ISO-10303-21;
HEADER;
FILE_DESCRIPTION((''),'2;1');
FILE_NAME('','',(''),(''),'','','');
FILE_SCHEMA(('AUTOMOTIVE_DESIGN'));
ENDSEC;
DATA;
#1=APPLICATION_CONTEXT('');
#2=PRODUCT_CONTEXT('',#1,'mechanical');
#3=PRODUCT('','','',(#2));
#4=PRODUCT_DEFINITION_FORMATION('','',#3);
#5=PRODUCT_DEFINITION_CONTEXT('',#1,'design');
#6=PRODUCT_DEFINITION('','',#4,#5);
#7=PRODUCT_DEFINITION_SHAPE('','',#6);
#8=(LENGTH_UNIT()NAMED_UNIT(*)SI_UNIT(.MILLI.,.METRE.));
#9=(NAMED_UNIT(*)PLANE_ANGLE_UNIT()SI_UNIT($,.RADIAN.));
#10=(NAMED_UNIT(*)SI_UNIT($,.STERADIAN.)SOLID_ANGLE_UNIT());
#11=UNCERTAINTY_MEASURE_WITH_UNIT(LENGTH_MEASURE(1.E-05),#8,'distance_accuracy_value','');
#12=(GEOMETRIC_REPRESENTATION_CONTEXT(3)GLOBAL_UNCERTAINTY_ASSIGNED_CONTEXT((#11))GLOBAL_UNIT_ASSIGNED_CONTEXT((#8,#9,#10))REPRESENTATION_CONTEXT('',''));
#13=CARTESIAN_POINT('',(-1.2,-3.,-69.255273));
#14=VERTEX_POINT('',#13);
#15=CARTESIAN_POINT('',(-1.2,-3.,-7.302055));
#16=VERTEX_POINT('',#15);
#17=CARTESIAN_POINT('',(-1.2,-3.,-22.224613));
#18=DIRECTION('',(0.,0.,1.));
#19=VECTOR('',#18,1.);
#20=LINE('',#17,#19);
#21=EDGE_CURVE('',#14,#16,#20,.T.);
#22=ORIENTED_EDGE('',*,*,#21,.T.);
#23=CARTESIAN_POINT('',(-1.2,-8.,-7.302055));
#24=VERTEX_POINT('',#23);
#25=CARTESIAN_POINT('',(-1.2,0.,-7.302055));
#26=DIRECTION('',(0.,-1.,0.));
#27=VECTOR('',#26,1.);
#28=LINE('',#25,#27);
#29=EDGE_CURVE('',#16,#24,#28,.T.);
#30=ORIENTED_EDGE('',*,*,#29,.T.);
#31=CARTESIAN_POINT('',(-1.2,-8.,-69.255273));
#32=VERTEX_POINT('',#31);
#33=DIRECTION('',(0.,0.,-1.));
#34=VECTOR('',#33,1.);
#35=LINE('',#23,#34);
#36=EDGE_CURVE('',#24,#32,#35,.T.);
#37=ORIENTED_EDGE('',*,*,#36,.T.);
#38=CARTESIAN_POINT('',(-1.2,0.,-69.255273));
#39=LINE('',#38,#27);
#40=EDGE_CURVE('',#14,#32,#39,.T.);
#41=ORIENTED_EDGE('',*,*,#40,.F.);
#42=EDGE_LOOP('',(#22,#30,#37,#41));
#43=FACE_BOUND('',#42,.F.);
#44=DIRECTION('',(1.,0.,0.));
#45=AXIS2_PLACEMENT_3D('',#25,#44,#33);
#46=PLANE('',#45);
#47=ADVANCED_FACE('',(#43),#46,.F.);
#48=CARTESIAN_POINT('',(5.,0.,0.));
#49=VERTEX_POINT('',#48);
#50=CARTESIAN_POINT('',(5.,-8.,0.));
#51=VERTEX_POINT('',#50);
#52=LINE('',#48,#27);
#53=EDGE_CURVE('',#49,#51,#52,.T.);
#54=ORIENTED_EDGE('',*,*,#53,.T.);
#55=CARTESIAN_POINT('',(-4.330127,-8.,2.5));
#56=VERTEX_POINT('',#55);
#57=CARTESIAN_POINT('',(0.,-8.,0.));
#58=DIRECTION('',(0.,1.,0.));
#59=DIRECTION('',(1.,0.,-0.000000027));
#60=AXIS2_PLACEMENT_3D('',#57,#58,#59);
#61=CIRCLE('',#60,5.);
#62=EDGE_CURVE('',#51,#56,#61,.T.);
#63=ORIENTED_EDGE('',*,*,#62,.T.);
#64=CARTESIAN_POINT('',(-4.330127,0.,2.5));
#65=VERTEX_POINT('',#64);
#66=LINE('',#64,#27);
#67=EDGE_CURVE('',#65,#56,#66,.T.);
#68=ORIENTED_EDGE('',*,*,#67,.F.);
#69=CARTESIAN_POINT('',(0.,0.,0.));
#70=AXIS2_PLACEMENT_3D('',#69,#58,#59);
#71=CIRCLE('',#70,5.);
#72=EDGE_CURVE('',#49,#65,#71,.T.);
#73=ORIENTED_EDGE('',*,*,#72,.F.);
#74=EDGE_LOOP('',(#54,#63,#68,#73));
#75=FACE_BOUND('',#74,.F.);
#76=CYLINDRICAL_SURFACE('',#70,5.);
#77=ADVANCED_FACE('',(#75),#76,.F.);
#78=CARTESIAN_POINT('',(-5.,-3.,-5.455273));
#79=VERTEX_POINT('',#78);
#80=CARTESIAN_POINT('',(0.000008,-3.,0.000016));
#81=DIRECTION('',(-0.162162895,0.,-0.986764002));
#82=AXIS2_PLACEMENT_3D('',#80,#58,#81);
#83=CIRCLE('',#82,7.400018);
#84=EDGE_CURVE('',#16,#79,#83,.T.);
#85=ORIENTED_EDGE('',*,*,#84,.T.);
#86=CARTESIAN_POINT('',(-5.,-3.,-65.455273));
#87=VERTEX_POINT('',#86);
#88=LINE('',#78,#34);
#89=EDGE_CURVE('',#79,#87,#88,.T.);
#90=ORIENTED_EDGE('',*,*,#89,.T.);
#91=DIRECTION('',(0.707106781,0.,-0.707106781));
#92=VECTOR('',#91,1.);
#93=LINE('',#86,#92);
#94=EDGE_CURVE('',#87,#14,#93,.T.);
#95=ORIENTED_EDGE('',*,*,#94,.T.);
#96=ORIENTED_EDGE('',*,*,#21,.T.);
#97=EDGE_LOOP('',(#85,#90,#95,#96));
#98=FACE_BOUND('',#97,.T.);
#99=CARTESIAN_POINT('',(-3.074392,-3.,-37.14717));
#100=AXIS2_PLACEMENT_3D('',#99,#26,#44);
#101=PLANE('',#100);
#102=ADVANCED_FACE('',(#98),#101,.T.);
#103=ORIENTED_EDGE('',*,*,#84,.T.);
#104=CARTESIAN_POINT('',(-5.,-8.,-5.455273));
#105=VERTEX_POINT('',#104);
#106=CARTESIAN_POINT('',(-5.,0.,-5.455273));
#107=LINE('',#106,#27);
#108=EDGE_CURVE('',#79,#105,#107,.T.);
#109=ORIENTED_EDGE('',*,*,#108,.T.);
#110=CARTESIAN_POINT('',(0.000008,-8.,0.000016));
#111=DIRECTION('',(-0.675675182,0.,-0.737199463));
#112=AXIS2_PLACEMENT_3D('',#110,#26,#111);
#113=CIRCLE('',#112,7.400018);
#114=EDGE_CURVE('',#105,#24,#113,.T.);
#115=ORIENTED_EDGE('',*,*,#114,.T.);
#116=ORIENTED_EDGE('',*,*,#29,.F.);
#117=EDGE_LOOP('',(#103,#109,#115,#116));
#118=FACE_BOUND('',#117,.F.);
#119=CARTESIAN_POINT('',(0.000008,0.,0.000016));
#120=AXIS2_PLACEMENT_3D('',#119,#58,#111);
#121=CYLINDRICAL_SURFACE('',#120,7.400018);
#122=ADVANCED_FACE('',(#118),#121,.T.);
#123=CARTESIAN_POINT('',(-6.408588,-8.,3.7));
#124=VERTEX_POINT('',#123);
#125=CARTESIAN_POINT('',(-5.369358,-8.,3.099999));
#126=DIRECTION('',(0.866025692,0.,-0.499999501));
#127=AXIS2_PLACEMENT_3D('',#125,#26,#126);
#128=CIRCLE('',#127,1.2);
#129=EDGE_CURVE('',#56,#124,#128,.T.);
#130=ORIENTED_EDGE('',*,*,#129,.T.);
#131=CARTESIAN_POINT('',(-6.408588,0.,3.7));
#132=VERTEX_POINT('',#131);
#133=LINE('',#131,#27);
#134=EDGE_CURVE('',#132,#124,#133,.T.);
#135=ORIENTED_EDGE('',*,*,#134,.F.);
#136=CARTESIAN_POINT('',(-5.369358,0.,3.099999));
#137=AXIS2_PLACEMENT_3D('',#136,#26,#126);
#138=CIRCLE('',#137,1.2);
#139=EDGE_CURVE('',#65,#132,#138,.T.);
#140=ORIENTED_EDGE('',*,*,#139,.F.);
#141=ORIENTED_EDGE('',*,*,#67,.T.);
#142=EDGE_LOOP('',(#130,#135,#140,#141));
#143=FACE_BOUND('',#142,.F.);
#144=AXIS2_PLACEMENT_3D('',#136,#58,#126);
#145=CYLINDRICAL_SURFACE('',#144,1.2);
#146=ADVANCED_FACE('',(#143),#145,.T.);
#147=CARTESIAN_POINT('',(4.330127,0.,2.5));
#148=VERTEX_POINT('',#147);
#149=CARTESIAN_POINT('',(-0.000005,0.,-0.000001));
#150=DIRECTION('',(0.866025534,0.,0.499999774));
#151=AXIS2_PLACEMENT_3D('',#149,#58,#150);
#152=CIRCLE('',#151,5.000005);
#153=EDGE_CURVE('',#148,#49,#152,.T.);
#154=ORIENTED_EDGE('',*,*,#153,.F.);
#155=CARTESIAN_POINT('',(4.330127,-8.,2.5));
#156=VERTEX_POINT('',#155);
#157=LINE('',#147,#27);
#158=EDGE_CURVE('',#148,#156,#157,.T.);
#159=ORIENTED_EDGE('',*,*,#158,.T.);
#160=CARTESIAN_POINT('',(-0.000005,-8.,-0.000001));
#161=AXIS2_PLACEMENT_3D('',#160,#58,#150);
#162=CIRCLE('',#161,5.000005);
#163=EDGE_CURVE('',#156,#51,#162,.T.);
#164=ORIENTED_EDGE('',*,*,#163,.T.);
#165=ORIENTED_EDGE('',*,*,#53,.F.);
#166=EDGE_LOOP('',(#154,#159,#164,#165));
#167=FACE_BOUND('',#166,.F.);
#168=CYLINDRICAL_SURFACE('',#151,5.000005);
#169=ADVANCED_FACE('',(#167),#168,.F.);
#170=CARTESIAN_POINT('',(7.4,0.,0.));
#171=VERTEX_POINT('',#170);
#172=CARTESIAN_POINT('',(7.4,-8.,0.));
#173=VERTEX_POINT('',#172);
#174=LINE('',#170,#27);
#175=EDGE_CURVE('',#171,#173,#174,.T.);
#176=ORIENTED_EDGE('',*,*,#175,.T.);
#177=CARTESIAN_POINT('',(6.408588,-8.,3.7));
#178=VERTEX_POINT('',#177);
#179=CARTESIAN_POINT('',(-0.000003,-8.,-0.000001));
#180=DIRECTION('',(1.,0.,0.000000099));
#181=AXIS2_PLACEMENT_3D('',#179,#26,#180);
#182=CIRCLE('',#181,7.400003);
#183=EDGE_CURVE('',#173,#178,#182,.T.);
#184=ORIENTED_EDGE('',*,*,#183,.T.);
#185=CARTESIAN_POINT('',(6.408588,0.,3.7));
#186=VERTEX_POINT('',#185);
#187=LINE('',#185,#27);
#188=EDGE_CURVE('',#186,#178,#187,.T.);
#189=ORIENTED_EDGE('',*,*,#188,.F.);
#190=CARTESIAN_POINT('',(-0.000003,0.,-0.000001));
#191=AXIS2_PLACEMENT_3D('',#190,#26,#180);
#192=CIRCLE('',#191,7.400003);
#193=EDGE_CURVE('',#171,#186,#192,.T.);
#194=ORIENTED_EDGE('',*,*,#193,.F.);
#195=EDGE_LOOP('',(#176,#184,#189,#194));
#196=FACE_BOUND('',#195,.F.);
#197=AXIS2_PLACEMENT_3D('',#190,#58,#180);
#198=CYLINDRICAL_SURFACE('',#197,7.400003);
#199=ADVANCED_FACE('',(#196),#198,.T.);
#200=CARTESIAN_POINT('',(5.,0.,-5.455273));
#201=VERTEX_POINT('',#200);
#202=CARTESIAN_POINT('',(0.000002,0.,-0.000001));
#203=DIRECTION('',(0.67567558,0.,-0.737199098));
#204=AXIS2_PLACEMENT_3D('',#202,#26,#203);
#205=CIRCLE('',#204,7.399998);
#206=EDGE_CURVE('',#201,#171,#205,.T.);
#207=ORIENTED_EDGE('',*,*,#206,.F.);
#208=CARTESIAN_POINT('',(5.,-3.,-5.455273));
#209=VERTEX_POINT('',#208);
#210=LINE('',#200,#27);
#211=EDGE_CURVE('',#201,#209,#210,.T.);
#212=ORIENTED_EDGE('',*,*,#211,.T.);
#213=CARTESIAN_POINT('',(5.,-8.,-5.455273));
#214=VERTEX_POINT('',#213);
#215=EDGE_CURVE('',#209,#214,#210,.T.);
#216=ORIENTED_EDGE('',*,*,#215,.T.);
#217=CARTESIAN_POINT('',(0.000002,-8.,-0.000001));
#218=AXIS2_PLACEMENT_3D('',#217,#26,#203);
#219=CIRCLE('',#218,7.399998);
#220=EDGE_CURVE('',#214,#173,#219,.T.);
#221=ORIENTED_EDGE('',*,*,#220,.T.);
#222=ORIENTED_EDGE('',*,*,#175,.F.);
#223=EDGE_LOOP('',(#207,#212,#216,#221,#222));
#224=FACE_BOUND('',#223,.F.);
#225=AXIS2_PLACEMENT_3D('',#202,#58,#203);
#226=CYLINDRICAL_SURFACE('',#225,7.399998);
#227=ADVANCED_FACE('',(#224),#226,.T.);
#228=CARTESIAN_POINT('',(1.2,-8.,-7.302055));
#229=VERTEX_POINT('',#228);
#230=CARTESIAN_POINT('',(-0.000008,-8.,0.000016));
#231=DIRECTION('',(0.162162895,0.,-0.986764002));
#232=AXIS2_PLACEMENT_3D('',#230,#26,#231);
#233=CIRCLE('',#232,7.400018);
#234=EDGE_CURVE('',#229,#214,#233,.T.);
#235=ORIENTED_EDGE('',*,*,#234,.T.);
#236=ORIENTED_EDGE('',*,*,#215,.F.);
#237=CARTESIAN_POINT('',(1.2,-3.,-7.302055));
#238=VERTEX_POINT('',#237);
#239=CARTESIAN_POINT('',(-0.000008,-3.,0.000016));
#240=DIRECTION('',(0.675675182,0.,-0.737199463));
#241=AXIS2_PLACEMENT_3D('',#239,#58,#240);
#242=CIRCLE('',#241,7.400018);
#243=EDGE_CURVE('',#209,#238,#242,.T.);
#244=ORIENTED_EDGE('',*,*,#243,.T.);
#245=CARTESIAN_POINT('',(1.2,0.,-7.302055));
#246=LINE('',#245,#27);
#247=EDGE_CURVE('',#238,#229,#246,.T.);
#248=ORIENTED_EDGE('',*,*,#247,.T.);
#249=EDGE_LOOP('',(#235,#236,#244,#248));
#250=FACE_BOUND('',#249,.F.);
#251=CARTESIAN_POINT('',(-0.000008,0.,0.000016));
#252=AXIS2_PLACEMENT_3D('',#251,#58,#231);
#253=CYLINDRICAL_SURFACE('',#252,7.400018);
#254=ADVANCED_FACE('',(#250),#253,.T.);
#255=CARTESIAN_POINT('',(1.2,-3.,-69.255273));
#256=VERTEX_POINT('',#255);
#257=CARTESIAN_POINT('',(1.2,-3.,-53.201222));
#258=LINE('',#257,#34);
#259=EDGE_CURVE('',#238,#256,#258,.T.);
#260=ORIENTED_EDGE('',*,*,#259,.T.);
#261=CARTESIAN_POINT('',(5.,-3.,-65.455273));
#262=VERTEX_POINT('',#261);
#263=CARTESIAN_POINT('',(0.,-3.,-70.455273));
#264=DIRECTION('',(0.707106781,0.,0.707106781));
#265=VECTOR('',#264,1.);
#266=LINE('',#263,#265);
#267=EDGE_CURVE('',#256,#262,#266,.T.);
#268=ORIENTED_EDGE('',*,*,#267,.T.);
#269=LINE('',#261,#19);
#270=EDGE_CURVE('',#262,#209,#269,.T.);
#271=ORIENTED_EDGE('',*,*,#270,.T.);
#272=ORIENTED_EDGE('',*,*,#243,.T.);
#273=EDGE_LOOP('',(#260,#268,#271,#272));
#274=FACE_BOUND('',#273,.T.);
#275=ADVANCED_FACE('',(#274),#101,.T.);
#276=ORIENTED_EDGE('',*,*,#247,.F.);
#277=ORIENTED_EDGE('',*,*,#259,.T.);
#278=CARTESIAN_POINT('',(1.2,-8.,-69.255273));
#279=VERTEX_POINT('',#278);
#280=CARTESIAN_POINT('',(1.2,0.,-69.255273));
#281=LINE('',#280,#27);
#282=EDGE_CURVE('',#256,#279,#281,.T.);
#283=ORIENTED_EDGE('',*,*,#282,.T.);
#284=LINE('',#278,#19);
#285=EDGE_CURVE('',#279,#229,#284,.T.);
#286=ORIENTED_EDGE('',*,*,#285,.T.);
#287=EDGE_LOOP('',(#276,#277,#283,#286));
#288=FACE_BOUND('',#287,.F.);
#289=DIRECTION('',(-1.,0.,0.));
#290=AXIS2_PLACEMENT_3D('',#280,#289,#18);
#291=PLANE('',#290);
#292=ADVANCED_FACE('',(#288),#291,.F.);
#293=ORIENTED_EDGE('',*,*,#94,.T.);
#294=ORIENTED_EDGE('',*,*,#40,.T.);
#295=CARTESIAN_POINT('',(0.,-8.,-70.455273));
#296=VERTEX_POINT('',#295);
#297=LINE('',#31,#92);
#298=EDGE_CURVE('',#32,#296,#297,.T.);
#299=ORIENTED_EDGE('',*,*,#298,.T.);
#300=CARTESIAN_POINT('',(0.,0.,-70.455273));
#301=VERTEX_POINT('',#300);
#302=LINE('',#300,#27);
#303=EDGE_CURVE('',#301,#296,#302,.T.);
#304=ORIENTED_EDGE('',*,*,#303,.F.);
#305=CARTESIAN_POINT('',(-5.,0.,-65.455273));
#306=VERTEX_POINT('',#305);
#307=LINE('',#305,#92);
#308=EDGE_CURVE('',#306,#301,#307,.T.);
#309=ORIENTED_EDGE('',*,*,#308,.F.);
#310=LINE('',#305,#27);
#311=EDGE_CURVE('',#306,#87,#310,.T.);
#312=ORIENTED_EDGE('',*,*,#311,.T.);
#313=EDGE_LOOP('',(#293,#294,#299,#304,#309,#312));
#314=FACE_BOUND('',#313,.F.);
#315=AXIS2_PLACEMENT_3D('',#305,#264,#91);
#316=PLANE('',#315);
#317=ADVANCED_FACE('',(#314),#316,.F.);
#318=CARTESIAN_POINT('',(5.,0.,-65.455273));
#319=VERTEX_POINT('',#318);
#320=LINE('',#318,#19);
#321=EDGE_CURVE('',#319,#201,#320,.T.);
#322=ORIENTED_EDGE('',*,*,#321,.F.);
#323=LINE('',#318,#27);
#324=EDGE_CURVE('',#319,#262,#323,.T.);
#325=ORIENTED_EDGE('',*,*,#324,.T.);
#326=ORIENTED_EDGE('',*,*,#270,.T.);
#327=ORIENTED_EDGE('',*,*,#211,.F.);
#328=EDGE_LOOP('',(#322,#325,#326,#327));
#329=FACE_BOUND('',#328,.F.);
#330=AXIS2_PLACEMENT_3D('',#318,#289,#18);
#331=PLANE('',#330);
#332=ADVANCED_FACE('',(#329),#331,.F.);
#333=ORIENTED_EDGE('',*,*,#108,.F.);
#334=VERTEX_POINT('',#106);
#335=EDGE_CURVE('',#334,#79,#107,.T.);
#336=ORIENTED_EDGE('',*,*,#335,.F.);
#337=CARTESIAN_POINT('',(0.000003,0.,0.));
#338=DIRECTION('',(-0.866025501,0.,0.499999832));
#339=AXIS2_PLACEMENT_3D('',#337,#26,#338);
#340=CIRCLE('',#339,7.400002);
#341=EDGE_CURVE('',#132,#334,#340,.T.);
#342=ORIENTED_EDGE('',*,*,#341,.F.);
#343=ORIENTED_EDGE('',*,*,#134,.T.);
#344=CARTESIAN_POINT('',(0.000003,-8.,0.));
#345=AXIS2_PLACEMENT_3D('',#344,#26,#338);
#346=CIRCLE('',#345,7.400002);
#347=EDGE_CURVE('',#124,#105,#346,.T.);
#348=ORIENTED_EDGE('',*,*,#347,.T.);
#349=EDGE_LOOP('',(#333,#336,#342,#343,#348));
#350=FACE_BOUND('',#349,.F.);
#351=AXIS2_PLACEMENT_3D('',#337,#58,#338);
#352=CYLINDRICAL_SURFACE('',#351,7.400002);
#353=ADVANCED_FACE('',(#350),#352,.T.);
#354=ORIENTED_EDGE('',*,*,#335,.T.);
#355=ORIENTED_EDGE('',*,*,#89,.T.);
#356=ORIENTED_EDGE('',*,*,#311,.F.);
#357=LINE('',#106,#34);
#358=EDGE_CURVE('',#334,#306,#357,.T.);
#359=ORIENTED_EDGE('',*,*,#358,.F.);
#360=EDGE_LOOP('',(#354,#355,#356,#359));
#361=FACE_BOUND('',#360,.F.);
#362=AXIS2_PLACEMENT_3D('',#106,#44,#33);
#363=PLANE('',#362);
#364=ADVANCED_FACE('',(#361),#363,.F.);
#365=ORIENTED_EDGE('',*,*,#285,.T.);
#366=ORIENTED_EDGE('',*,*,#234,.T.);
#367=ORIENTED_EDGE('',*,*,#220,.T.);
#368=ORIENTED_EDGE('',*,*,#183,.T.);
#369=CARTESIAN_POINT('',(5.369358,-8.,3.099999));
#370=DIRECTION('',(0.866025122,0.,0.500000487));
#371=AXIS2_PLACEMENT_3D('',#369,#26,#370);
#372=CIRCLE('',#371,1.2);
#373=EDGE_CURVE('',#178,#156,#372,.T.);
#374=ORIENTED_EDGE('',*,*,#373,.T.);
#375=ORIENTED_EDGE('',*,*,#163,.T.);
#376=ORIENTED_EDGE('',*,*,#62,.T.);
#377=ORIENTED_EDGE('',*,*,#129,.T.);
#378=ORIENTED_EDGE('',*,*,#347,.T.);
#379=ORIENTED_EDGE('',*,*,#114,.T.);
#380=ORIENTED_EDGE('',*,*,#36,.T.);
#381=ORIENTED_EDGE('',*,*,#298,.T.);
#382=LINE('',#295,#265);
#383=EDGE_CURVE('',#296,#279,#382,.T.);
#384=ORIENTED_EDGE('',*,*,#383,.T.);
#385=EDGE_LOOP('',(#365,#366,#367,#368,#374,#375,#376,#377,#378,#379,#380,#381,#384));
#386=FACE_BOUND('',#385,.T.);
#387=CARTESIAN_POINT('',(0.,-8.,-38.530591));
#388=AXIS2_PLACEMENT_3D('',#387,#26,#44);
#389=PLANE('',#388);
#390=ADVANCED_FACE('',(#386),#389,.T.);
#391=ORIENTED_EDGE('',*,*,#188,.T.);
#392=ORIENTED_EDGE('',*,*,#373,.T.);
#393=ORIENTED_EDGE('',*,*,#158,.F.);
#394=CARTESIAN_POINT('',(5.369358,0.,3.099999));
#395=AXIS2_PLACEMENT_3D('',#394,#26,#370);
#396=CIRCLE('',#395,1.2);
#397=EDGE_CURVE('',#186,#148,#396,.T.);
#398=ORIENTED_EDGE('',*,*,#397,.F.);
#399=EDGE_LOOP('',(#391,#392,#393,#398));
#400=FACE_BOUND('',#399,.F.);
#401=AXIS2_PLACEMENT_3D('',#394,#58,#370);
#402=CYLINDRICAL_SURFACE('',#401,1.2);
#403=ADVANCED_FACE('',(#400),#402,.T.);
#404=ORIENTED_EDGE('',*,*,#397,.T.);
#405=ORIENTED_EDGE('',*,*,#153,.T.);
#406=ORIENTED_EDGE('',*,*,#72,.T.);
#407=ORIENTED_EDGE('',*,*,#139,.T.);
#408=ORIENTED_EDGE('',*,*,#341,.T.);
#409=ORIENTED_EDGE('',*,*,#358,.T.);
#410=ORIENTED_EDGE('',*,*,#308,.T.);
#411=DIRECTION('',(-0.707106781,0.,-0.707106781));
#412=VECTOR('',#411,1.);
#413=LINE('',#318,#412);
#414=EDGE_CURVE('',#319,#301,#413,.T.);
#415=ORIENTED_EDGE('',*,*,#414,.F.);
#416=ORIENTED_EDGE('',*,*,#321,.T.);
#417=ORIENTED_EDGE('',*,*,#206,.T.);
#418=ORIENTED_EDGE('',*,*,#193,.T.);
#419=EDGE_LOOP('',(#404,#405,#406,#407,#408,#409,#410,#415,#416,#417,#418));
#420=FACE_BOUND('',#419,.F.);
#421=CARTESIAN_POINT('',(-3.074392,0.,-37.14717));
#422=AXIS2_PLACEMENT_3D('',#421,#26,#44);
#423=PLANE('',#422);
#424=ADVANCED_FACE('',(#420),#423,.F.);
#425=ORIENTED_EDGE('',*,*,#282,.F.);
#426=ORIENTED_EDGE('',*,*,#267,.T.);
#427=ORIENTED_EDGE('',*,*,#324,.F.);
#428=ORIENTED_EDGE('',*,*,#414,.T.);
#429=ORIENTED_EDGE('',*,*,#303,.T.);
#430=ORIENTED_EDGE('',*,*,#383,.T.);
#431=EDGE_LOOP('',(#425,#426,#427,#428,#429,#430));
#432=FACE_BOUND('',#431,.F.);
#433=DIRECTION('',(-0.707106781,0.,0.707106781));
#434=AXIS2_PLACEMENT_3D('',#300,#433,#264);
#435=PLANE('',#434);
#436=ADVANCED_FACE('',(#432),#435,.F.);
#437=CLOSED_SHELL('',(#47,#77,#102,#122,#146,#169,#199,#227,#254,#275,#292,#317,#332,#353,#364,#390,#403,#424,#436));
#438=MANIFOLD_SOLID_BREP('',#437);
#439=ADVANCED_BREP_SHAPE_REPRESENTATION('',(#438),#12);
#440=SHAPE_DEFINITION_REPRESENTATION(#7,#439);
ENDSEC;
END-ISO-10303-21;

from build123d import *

# Parameters (mm, degrees)
F1_DEPTH = 8
F2_DEPTH = 3
F3_DEPTH = 8


with BuildPart() as f1:
    # F0 (on Front) → F1 (new body)
    with BuildSketch(Plane.XZ):
        with BuildLine():
            ThreePointArc((4.330127, 2.5), (4.829629, 1.294095), (5, 0))
            ThreePointArc((5, 0), (-1.294095, -4.829629), (-4.330127, 2.5))
            ThreePointArc((-4.330127, 2.5), (-4.769358, 4.13923), (-6.408588, 3.7))
            ThreePointArc((-6.408588, 3.7), (-7.31394, -1.125289), (-5, -5.455273))
            ThreePointArc((-5, -5.455273), (-3.234602, -6.655625), (-1.2, -7.302055))
            ThreePointArc((-1.2, -7.302055), (0, -7.4), (1.2, -7.302055))
            ThreePointArc((1.2, -7.302055), (3.234602, -6.655625), (5, -5.455273))
            ThreePointArc((5, -5.455273), (6.773478, -2.979933), (7.4, 0))
            ThreePointArc((7.4, 0), (7.147851, 1.915261), (6.408588, 3.7))
            ThreePointArc((6.408588, 3.7), (4.769358, 4.13923), (4.330127, 2.5))
        make_face()
    extrude(amount=F1_DEPTH)

    # F0 (on Front) → F2 (join)
    with BuildSketch(Plane.XZ):
        with BuildLine():
            ThreePointArc((-1.2, -7.302055), (-3.234602, -6.655625), (-5, -5.455273))
            Line((-5, -5.455273), (-5, -65.455273))
            Line((-5, -65.455273), (-1.2, -69.255273))
            Line((-1.2, -69.255273), (-1.2, -7.302055))
        make_face()
        with BuildLine():
            Line((5, -65.455273), (5, -5.455273))
            ThreePointArc((5, -5.455273), (3.234602, -6.655625), (1.2, -7.302055))
            Line((1.2, -7.302055), (1.2, -69.255273))
            Line((1.2, -69.255273), (5, -65.455273))
        make_face()
        with BuildLine():
            ThreePointArc((1.2, -7.302055), (0, -7.4), (-1.2, -7.302055))
            Line((-1.2, -7.302055), (-1.2, -69.255273))
            Line((-1.2, -69.255273), (0, -70.455273))
            Line((0, -70.455273), (1.2, -69.255273))
            Line((1.2, -69.255273), (1.2, -7.302055))
        make_face()
    extrude(amount=F2_DEPTH)

    # F0 (on Front) → F3 (join)
    with BuildSketch(Plane.XZ):
        with BuildLine():
            ThreePointArc((1.2, -7.302055), (0, -7.4), (-1.2, -7.302055))
            Line((-1.2, -7.302055), (-1.2, -69.255273))
            Line((-1.2, -69.255273), (0, -70.455273))
            Line((0, -70.455273), (1.2, -69.255273))
            Line((1.2, -69.255273), (1.2, -7.302055))
        make_face()
    extrude(amount=F3_DEPTH)


solid = f1.part
